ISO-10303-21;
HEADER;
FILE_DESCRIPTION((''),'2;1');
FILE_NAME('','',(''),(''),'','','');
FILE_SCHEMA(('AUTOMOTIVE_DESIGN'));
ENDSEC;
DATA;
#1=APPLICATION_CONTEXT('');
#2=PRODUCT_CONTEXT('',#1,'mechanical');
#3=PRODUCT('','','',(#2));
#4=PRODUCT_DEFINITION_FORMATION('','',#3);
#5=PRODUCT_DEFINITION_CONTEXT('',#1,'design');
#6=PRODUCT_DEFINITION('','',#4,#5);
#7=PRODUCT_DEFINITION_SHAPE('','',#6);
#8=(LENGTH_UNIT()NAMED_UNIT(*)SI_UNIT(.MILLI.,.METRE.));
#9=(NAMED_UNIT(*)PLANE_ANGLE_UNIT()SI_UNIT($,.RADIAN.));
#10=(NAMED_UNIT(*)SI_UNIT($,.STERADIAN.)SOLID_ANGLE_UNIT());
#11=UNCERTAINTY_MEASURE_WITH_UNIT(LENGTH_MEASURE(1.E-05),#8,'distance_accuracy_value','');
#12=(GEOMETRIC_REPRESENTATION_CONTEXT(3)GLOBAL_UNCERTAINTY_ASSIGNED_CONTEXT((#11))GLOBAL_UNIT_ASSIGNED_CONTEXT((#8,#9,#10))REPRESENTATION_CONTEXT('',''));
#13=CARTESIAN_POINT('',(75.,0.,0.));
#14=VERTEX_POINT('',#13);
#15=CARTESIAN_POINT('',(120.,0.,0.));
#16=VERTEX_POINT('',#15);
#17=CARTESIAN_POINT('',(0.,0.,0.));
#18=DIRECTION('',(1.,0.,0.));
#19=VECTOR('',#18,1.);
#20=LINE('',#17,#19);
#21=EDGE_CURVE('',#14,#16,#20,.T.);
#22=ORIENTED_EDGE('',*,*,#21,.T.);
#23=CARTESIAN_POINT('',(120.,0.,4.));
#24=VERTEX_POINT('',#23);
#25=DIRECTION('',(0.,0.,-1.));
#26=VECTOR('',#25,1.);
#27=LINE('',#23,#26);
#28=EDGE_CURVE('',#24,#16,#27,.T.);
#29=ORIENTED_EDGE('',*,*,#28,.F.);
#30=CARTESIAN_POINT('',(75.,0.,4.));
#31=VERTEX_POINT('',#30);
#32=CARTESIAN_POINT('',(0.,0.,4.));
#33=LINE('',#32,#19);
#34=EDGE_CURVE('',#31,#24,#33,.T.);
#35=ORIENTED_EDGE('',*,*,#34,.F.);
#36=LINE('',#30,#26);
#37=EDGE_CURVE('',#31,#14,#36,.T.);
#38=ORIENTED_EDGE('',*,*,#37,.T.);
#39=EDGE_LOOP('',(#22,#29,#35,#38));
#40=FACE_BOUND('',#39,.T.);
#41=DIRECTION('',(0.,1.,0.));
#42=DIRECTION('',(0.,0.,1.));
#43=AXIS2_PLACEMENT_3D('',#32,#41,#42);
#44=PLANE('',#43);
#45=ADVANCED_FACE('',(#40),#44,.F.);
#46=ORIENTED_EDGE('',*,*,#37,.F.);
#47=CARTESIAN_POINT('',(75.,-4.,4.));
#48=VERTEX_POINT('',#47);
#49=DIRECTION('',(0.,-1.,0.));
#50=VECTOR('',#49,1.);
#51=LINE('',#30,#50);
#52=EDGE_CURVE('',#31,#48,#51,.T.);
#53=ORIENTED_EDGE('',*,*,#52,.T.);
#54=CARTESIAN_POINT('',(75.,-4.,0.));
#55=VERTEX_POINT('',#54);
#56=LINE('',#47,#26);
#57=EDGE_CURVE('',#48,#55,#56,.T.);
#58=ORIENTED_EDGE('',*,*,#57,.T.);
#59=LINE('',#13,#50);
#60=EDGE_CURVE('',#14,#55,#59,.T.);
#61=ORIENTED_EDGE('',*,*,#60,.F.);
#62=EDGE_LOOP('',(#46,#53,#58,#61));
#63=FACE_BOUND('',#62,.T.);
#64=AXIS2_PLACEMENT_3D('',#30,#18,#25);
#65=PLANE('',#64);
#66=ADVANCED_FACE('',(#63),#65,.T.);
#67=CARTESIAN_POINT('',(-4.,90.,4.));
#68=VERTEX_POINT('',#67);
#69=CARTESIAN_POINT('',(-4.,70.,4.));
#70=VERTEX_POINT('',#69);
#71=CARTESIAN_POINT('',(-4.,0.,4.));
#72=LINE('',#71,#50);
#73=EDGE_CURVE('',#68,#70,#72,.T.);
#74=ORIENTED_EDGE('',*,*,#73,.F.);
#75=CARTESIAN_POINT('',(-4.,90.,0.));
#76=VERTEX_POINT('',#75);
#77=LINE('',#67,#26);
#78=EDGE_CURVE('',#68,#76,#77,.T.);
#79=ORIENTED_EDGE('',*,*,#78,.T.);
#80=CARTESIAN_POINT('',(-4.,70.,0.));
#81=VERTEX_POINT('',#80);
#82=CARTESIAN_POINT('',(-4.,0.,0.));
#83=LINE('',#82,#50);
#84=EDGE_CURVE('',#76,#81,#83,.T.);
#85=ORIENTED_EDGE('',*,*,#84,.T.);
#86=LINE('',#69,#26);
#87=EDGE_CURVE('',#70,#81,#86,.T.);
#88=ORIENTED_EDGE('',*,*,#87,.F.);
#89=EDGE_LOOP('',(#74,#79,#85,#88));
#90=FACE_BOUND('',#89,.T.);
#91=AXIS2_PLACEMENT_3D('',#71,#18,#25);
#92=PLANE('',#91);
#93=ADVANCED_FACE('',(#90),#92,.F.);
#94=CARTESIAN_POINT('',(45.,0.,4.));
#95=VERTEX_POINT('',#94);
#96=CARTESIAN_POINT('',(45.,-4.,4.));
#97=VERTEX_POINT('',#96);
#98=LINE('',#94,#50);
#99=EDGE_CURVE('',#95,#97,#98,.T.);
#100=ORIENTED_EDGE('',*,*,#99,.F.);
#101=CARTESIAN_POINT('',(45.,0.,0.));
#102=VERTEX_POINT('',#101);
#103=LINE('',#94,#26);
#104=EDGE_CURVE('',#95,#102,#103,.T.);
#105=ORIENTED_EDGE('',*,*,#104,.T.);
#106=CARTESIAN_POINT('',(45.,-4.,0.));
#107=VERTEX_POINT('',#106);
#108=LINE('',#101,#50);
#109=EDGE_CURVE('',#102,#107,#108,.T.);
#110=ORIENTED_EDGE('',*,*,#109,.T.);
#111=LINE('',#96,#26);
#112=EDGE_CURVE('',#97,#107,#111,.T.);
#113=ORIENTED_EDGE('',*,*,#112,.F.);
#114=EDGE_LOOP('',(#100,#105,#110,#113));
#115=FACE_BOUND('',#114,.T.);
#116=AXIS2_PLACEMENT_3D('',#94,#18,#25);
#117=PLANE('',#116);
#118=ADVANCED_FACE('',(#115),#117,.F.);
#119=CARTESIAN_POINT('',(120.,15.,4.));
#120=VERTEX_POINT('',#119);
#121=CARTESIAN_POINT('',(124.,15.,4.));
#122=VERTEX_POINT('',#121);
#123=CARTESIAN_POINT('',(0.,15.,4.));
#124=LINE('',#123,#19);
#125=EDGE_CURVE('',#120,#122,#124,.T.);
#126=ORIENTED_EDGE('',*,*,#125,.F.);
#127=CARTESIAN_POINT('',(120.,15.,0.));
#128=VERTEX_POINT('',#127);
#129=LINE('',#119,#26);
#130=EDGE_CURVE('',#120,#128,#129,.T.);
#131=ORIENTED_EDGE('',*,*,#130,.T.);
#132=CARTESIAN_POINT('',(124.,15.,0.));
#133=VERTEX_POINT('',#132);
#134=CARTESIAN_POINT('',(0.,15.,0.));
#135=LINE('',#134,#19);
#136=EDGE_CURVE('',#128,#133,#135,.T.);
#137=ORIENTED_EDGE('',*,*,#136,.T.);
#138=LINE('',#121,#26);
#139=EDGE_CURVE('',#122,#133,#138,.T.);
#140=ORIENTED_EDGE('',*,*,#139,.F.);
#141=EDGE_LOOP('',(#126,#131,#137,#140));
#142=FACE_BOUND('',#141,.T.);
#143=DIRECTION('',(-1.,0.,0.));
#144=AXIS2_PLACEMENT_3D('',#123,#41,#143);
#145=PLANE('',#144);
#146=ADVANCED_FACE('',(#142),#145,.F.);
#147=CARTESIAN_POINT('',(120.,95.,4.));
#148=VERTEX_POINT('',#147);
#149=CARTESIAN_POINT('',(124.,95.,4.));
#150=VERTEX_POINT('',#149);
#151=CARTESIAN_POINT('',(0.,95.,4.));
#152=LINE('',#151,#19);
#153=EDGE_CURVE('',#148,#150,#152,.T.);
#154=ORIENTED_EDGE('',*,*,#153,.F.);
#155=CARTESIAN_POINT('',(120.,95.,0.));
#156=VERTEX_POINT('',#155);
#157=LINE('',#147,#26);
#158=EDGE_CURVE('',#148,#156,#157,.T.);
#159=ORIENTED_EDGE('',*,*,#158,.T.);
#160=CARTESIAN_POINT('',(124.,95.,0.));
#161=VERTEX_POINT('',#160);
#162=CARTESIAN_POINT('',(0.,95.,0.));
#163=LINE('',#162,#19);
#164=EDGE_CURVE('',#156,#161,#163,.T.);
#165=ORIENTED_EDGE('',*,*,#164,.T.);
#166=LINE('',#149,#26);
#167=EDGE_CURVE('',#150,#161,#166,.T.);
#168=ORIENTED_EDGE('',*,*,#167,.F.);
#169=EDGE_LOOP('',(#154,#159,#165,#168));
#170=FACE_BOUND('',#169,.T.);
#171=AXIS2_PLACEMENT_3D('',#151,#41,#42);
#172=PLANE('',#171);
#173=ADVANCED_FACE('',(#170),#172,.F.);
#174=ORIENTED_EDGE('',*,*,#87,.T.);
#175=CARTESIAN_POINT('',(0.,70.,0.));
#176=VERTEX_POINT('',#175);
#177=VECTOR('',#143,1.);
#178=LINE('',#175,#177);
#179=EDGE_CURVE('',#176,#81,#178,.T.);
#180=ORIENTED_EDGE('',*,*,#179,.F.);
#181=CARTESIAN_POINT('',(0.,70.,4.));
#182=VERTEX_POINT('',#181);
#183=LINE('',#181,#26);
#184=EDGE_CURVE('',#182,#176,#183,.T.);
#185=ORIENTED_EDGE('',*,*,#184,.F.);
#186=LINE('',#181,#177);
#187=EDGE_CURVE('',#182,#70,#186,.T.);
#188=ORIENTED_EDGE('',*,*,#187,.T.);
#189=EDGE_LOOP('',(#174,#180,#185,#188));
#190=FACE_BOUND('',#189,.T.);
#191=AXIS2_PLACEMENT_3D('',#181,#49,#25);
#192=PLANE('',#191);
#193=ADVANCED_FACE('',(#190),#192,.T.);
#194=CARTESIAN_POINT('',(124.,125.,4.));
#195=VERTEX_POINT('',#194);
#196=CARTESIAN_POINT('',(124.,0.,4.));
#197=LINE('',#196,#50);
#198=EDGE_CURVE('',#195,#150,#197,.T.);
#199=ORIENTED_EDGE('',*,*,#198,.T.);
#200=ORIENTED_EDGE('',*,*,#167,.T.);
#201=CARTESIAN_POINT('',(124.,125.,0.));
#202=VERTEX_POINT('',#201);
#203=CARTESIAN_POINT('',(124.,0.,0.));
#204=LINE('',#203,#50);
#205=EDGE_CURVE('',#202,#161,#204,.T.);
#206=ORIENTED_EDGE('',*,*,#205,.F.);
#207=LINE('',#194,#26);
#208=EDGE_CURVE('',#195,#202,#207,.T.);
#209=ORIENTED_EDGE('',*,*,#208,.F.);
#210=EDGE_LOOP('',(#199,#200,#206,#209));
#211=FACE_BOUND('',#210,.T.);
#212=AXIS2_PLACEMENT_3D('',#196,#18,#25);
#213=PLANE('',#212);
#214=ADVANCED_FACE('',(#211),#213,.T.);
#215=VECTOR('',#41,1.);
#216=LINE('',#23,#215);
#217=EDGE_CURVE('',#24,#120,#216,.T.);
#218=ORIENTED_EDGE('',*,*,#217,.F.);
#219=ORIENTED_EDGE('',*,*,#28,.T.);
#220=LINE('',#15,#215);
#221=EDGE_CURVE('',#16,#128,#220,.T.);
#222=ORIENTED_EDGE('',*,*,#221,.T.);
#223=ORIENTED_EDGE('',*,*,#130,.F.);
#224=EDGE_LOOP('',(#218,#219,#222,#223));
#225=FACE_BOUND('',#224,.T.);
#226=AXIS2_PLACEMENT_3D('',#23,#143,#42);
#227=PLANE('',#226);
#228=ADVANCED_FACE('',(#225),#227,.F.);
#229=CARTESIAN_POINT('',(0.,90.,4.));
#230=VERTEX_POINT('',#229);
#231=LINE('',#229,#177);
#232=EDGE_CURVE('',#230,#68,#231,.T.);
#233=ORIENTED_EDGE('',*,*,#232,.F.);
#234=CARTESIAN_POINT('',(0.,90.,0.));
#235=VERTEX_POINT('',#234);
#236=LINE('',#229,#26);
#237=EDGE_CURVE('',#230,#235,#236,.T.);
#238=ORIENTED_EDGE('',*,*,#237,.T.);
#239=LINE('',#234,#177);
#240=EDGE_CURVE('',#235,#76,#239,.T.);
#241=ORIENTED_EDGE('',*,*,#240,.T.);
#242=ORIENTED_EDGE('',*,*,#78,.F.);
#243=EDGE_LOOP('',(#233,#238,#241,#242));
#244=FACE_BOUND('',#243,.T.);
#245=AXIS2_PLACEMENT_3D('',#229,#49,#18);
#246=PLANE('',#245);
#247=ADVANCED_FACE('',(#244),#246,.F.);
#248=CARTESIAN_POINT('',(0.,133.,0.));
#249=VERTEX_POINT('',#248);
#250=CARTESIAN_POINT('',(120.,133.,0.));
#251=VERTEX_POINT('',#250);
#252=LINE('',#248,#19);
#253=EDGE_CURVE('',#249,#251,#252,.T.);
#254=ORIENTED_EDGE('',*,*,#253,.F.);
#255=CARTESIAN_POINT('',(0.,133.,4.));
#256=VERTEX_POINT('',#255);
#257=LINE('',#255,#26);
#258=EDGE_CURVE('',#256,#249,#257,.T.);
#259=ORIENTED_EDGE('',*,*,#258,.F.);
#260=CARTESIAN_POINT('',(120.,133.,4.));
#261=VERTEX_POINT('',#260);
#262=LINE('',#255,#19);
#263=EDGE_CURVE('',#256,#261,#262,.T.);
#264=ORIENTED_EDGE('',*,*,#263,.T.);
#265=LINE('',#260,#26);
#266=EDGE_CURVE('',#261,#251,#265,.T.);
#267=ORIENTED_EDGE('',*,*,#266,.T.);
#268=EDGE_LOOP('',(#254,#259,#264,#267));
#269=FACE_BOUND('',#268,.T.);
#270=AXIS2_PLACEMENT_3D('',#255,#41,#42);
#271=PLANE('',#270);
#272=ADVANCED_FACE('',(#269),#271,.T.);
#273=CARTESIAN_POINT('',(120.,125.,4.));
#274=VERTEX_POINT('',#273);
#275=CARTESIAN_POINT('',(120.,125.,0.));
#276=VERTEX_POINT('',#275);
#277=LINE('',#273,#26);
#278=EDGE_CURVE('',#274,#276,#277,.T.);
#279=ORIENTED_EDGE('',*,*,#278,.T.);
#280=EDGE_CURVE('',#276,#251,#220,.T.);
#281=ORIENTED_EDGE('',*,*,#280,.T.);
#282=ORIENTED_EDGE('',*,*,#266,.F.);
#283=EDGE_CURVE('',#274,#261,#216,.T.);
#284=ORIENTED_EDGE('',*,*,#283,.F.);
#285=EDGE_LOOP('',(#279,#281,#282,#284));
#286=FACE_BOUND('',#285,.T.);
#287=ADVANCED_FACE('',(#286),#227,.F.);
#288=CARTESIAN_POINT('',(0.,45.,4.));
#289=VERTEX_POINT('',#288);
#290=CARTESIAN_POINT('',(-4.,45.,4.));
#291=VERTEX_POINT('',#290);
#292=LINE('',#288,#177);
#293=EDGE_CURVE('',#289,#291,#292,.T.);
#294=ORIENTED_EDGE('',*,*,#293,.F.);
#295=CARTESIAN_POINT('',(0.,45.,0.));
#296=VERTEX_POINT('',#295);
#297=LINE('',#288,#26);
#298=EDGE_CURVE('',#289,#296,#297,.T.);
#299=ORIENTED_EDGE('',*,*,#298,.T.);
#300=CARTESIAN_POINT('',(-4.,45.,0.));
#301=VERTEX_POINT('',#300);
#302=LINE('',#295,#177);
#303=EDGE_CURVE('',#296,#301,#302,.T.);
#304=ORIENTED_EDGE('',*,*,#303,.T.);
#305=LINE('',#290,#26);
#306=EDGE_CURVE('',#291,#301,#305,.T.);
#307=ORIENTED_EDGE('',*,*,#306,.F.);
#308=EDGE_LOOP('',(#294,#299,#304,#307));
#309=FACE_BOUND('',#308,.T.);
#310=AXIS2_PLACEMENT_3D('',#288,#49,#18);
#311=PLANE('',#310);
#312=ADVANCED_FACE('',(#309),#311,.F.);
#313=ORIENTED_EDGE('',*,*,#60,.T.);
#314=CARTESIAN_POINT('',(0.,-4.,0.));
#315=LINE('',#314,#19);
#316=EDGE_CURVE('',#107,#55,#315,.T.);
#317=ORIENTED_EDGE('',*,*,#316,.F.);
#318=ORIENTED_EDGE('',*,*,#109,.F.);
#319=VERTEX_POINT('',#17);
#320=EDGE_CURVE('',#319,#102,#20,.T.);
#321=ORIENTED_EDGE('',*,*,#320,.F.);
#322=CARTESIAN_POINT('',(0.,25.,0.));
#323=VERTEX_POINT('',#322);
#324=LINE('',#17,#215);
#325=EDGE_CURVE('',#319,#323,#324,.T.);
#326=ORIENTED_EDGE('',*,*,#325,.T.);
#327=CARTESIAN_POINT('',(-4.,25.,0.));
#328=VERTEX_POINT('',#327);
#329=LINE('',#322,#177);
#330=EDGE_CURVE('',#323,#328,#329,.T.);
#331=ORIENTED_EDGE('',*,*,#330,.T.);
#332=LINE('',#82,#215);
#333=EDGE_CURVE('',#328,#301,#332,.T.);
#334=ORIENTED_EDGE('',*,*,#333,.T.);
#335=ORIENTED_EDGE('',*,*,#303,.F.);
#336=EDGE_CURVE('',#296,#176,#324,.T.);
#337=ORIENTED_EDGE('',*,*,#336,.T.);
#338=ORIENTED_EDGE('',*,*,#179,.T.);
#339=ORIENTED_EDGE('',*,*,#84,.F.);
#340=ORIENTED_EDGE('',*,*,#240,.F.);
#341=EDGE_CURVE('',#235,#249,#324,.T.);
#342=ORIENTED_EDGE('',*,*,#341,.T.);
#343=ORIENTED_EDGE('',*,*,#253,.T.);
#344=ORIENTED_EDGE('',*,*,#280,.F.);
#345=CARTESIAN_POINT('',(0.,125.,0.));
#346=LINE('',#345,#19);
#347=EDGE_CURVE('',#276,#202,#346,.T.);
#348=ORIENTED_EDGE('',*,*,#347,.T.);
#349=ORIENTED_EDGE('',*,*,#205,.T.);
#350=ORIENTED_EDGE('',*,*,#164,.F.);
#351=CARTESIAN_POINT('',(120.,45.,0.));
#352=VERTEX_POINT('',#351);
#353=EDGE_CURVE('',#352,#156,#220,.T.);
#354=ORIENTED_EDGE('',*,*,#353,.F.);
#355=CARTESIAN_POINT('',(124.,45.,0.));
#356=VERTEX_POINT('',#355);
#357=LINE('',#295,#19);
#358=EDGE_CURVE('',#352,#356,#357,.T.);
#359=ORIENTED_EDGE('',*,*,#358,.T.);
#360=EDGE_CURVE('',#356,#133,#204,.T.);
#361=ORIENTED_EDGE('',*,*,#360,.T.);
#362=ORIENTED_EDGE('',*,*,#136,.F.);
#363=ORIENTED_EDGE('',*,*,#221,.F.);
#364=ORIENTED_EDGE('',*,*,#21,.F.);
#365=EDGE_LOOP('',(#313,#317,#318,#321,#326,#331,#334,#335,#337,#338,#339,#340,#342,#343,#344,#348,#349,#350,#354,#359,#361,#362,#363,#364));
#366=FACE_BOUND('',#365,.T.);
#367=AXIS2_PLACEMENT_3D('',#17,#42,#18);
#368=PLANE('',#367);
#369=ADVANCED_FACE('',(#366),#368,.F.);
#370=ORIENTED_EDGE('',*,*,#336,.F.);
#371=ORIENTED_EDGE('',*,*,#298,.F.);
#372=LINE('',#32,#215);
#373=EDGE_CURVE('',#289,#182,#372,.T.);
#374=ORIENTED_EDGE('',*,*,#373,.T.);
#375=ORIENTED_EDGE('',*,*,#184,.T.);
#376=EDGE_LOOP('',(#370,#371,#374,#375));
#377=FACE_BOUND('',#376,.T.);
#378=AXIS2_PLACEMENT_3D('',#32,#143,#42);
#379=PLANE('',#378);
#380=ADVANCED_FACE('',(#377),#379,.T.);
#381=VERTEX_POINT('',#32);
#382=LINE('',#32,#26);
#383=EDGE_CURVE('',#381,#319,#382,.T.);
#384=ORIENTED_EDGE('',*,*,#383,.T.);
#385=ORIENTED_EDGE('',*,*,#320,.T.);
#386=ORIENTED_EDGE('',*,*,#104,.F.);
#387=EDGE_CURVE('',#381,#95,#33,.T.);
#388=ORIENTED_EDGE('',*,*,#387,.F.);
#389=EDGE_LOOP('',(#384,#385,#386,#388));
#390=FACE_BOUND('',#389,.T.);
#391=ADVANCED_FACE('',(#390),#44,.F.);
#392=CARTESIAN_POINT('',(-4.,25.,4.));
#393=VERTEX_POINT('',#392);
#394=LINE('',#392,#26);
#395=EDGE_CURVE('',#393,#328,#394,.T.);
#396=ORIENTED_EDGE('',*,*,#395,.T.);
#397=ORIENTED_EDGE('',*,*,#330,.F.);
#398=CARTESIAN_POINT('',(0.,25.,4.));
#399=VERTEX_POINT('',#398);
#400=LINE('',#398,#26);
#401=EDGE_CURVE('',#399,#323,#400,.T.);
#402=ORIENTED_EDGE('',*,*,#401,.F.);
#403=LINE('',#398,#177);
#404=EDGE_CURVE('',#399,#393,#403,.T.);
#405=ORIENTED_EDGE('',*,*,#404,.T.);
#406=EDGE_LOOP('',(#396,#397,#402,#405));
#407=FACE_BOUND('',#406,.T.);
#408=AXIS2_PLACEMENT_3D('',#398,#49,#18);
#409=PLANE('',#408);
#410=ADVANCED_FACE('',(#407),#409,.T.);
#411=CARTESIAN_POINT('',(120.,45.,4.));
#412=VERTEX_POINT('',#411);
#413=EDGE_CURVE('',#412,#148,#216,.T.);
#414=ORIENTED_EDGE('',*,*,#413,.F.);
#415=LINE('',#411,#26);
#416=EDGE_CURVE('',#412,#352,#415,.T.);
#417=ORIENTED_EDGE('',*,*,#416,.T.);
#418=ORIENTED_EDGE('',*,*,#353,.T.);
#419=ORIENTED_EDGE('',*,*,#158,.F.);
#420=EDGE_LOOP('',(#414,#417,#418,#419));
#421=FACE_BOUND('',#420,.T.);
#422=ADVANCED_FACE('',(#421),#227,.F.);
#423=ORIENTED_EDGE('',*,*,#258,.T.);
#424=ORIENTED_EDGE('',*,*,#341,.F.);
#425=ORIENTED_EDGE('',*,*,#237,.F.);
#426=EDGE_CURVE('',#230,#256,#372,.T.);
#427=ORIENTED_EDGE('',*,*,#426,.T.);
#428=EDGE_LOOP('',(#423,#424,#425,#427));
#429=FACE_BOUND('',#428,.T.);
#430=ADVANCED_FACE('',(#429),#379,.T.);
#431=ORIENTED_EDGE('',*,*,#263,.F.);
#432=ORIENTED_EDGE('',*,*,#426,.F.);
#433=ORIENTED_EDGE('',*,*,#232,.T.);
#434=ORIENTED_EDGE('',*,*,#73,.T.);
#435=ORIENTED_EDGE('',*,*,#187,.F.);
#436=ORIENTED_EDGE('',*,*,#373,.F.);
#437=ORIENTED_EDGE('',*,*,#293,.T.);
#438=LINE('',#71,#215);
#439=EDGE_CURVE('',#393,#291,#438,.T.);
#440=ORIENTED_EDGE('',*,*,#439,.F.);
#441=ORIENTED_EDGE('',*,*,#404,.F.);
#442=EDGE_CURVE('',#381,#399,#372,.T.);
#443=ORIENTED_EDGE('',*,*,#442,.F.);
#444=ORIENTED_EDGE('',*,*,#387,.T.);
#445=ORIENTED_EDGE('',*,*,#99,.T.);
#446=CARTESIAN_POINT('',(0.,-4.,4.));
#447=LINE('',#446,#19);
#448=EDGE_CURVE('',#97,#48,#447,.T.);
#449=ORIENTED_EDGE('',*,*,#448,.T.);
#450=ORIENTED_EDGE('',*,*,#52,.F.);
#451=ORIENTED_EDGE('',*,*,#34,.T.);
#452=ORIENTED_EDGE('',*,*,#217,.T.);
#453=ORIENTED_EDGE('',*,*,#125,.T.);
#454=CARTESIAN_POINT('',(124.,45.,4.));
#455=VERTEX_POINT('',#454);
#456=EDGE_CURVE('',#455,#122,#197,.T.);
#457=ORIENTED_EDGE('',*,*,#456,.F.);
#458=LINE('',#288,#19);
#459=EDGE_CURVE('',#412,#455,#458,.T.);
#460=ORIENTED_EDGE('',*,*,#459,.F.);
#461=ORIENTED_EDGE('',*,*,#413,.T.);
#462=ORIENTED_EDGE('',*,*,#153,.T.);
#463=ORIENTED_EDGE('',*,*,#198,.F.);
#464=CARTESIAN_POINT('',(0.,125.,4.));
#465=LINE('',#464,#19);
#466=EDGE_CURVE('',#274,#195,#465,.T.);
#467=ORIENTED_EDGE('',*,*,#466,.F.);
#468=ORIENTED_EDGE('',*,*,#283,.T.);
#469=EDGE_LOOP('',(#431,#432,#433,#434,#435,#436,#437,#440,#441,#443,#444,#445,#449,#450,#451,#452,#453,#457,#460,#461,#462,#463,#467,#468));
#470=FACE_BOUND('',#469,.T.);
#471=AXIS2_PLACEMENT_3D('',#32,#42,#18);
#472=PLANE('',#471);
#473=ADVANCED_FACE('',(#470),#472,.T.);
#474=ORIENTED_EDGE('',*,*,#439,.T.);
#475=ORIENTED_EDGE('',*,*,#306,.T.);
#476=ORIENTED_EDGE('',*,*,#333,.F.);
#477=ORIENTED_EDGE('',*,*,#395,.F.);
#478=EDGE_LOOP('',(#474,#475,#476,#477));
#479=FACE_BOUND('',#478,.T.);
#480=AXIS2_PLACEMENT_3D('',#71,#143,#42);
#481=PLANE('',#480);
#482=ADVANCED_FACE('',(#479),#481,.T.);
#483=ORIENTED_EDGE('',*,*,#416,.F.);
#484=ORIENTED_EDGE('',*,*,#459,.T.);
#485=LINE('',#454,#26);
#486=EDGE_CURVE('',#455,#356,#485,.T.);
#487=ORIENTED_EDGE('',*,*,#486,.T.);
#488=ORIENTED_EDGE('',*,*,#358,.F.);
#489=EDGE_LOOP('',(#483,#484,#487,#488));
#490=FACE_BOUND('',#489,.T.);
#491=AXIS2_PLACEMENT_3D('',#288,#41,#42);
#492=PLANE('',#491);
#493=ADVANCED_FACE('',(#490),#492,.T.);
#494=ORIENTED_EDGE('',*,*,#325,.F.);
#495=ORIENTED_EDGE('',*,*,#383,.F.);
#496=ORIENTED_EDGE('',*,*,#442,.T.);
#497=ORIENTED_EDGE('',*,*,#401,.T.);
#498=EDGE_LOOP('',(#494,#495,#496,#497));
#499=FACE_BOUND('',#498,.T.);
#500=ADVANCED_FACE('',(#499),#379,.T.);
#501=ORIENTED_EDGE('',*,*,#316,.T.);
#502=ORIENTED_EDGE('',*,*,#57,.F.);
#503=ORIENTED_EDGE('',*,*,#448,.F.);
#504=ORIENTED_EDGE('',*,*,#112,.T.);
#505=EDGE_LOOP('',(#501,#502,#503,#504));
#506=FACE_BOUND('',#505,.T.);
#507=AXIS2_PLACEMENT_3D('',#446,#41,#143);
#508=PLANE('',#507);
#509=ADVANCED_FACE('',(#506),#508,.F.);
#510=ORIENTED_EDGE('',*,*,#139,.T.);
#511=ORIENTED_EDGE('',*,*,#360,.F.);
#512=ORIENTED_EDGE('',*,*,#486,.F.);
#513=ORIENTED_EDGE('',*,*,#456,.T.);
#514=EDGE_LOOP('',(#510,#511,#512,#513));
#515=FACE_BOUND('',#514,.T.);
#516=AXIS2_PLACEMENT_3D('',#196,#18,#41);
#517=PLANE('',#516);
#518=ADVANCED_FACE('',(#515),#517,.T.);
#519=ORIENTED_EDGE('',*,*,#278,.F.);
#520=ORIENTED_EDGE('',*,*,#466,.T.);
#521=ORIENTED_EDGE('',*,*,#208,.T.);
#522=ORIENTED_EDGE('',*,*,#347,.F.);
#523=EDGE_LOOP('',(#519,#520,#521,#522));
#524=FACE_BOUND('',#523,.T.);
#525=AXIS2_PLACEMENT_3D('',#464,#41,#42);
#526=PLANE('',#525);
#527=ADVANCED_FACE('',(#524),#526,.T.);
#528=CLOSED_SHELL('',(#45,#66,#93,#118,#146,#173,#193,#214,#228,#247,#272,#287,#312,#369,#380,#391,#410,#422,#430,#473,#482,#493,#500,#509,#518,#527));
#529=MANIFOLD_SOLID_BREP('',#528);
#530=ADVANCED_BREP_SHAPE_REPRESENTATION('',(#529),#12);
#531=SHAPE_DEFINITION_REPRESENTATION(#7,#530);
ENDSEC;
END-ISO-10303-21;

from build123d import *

# Parameters (mm, degrees)
SKETCH_1_W      = 120
SKETCH_1_H      = 133
SKETCH_1_W_2    = 4
SKETCH_1_H_2    = 20
SKETCH_1_H_3    = 30
SKETCH_1_W_3    = 30
SKETCH_1_H_4    = 4
EXTRUDE_1_DEPTH = 4


with BuildPart() as part:
    # Эскиз1 → Бобышка-Вытянуть1 (new body)
    with BuildSketch(Plane.XY):
        with Locations((60, 66.5)):
            Rectangle(SKETCH_1_W, SKETCH_1_H)
        with Locations((-2, 35)):
            Rectangle(SKETCH_1_W_2, SKETCH_1_H_2)
        with Locations((122, 30)):
            Rectangle(SKETCH_1_W_2, SKETCH_1_H_3)
        with Locations((122, 110)):
            Rectangle(SKETCH_1_W_2, SKETCH_1_H_3)
        with Locations((-2, 80)):
            Rectangle(SKETCH_1_W_2, SKETCH_1_H_2)
        with Locations((60, -2)):
            Rectangle(SKETCH_1_W_3, SKETCH_1_H_4)
    extrude(amount=EXTRUDE_1_DEPTH)


solid = part.part
